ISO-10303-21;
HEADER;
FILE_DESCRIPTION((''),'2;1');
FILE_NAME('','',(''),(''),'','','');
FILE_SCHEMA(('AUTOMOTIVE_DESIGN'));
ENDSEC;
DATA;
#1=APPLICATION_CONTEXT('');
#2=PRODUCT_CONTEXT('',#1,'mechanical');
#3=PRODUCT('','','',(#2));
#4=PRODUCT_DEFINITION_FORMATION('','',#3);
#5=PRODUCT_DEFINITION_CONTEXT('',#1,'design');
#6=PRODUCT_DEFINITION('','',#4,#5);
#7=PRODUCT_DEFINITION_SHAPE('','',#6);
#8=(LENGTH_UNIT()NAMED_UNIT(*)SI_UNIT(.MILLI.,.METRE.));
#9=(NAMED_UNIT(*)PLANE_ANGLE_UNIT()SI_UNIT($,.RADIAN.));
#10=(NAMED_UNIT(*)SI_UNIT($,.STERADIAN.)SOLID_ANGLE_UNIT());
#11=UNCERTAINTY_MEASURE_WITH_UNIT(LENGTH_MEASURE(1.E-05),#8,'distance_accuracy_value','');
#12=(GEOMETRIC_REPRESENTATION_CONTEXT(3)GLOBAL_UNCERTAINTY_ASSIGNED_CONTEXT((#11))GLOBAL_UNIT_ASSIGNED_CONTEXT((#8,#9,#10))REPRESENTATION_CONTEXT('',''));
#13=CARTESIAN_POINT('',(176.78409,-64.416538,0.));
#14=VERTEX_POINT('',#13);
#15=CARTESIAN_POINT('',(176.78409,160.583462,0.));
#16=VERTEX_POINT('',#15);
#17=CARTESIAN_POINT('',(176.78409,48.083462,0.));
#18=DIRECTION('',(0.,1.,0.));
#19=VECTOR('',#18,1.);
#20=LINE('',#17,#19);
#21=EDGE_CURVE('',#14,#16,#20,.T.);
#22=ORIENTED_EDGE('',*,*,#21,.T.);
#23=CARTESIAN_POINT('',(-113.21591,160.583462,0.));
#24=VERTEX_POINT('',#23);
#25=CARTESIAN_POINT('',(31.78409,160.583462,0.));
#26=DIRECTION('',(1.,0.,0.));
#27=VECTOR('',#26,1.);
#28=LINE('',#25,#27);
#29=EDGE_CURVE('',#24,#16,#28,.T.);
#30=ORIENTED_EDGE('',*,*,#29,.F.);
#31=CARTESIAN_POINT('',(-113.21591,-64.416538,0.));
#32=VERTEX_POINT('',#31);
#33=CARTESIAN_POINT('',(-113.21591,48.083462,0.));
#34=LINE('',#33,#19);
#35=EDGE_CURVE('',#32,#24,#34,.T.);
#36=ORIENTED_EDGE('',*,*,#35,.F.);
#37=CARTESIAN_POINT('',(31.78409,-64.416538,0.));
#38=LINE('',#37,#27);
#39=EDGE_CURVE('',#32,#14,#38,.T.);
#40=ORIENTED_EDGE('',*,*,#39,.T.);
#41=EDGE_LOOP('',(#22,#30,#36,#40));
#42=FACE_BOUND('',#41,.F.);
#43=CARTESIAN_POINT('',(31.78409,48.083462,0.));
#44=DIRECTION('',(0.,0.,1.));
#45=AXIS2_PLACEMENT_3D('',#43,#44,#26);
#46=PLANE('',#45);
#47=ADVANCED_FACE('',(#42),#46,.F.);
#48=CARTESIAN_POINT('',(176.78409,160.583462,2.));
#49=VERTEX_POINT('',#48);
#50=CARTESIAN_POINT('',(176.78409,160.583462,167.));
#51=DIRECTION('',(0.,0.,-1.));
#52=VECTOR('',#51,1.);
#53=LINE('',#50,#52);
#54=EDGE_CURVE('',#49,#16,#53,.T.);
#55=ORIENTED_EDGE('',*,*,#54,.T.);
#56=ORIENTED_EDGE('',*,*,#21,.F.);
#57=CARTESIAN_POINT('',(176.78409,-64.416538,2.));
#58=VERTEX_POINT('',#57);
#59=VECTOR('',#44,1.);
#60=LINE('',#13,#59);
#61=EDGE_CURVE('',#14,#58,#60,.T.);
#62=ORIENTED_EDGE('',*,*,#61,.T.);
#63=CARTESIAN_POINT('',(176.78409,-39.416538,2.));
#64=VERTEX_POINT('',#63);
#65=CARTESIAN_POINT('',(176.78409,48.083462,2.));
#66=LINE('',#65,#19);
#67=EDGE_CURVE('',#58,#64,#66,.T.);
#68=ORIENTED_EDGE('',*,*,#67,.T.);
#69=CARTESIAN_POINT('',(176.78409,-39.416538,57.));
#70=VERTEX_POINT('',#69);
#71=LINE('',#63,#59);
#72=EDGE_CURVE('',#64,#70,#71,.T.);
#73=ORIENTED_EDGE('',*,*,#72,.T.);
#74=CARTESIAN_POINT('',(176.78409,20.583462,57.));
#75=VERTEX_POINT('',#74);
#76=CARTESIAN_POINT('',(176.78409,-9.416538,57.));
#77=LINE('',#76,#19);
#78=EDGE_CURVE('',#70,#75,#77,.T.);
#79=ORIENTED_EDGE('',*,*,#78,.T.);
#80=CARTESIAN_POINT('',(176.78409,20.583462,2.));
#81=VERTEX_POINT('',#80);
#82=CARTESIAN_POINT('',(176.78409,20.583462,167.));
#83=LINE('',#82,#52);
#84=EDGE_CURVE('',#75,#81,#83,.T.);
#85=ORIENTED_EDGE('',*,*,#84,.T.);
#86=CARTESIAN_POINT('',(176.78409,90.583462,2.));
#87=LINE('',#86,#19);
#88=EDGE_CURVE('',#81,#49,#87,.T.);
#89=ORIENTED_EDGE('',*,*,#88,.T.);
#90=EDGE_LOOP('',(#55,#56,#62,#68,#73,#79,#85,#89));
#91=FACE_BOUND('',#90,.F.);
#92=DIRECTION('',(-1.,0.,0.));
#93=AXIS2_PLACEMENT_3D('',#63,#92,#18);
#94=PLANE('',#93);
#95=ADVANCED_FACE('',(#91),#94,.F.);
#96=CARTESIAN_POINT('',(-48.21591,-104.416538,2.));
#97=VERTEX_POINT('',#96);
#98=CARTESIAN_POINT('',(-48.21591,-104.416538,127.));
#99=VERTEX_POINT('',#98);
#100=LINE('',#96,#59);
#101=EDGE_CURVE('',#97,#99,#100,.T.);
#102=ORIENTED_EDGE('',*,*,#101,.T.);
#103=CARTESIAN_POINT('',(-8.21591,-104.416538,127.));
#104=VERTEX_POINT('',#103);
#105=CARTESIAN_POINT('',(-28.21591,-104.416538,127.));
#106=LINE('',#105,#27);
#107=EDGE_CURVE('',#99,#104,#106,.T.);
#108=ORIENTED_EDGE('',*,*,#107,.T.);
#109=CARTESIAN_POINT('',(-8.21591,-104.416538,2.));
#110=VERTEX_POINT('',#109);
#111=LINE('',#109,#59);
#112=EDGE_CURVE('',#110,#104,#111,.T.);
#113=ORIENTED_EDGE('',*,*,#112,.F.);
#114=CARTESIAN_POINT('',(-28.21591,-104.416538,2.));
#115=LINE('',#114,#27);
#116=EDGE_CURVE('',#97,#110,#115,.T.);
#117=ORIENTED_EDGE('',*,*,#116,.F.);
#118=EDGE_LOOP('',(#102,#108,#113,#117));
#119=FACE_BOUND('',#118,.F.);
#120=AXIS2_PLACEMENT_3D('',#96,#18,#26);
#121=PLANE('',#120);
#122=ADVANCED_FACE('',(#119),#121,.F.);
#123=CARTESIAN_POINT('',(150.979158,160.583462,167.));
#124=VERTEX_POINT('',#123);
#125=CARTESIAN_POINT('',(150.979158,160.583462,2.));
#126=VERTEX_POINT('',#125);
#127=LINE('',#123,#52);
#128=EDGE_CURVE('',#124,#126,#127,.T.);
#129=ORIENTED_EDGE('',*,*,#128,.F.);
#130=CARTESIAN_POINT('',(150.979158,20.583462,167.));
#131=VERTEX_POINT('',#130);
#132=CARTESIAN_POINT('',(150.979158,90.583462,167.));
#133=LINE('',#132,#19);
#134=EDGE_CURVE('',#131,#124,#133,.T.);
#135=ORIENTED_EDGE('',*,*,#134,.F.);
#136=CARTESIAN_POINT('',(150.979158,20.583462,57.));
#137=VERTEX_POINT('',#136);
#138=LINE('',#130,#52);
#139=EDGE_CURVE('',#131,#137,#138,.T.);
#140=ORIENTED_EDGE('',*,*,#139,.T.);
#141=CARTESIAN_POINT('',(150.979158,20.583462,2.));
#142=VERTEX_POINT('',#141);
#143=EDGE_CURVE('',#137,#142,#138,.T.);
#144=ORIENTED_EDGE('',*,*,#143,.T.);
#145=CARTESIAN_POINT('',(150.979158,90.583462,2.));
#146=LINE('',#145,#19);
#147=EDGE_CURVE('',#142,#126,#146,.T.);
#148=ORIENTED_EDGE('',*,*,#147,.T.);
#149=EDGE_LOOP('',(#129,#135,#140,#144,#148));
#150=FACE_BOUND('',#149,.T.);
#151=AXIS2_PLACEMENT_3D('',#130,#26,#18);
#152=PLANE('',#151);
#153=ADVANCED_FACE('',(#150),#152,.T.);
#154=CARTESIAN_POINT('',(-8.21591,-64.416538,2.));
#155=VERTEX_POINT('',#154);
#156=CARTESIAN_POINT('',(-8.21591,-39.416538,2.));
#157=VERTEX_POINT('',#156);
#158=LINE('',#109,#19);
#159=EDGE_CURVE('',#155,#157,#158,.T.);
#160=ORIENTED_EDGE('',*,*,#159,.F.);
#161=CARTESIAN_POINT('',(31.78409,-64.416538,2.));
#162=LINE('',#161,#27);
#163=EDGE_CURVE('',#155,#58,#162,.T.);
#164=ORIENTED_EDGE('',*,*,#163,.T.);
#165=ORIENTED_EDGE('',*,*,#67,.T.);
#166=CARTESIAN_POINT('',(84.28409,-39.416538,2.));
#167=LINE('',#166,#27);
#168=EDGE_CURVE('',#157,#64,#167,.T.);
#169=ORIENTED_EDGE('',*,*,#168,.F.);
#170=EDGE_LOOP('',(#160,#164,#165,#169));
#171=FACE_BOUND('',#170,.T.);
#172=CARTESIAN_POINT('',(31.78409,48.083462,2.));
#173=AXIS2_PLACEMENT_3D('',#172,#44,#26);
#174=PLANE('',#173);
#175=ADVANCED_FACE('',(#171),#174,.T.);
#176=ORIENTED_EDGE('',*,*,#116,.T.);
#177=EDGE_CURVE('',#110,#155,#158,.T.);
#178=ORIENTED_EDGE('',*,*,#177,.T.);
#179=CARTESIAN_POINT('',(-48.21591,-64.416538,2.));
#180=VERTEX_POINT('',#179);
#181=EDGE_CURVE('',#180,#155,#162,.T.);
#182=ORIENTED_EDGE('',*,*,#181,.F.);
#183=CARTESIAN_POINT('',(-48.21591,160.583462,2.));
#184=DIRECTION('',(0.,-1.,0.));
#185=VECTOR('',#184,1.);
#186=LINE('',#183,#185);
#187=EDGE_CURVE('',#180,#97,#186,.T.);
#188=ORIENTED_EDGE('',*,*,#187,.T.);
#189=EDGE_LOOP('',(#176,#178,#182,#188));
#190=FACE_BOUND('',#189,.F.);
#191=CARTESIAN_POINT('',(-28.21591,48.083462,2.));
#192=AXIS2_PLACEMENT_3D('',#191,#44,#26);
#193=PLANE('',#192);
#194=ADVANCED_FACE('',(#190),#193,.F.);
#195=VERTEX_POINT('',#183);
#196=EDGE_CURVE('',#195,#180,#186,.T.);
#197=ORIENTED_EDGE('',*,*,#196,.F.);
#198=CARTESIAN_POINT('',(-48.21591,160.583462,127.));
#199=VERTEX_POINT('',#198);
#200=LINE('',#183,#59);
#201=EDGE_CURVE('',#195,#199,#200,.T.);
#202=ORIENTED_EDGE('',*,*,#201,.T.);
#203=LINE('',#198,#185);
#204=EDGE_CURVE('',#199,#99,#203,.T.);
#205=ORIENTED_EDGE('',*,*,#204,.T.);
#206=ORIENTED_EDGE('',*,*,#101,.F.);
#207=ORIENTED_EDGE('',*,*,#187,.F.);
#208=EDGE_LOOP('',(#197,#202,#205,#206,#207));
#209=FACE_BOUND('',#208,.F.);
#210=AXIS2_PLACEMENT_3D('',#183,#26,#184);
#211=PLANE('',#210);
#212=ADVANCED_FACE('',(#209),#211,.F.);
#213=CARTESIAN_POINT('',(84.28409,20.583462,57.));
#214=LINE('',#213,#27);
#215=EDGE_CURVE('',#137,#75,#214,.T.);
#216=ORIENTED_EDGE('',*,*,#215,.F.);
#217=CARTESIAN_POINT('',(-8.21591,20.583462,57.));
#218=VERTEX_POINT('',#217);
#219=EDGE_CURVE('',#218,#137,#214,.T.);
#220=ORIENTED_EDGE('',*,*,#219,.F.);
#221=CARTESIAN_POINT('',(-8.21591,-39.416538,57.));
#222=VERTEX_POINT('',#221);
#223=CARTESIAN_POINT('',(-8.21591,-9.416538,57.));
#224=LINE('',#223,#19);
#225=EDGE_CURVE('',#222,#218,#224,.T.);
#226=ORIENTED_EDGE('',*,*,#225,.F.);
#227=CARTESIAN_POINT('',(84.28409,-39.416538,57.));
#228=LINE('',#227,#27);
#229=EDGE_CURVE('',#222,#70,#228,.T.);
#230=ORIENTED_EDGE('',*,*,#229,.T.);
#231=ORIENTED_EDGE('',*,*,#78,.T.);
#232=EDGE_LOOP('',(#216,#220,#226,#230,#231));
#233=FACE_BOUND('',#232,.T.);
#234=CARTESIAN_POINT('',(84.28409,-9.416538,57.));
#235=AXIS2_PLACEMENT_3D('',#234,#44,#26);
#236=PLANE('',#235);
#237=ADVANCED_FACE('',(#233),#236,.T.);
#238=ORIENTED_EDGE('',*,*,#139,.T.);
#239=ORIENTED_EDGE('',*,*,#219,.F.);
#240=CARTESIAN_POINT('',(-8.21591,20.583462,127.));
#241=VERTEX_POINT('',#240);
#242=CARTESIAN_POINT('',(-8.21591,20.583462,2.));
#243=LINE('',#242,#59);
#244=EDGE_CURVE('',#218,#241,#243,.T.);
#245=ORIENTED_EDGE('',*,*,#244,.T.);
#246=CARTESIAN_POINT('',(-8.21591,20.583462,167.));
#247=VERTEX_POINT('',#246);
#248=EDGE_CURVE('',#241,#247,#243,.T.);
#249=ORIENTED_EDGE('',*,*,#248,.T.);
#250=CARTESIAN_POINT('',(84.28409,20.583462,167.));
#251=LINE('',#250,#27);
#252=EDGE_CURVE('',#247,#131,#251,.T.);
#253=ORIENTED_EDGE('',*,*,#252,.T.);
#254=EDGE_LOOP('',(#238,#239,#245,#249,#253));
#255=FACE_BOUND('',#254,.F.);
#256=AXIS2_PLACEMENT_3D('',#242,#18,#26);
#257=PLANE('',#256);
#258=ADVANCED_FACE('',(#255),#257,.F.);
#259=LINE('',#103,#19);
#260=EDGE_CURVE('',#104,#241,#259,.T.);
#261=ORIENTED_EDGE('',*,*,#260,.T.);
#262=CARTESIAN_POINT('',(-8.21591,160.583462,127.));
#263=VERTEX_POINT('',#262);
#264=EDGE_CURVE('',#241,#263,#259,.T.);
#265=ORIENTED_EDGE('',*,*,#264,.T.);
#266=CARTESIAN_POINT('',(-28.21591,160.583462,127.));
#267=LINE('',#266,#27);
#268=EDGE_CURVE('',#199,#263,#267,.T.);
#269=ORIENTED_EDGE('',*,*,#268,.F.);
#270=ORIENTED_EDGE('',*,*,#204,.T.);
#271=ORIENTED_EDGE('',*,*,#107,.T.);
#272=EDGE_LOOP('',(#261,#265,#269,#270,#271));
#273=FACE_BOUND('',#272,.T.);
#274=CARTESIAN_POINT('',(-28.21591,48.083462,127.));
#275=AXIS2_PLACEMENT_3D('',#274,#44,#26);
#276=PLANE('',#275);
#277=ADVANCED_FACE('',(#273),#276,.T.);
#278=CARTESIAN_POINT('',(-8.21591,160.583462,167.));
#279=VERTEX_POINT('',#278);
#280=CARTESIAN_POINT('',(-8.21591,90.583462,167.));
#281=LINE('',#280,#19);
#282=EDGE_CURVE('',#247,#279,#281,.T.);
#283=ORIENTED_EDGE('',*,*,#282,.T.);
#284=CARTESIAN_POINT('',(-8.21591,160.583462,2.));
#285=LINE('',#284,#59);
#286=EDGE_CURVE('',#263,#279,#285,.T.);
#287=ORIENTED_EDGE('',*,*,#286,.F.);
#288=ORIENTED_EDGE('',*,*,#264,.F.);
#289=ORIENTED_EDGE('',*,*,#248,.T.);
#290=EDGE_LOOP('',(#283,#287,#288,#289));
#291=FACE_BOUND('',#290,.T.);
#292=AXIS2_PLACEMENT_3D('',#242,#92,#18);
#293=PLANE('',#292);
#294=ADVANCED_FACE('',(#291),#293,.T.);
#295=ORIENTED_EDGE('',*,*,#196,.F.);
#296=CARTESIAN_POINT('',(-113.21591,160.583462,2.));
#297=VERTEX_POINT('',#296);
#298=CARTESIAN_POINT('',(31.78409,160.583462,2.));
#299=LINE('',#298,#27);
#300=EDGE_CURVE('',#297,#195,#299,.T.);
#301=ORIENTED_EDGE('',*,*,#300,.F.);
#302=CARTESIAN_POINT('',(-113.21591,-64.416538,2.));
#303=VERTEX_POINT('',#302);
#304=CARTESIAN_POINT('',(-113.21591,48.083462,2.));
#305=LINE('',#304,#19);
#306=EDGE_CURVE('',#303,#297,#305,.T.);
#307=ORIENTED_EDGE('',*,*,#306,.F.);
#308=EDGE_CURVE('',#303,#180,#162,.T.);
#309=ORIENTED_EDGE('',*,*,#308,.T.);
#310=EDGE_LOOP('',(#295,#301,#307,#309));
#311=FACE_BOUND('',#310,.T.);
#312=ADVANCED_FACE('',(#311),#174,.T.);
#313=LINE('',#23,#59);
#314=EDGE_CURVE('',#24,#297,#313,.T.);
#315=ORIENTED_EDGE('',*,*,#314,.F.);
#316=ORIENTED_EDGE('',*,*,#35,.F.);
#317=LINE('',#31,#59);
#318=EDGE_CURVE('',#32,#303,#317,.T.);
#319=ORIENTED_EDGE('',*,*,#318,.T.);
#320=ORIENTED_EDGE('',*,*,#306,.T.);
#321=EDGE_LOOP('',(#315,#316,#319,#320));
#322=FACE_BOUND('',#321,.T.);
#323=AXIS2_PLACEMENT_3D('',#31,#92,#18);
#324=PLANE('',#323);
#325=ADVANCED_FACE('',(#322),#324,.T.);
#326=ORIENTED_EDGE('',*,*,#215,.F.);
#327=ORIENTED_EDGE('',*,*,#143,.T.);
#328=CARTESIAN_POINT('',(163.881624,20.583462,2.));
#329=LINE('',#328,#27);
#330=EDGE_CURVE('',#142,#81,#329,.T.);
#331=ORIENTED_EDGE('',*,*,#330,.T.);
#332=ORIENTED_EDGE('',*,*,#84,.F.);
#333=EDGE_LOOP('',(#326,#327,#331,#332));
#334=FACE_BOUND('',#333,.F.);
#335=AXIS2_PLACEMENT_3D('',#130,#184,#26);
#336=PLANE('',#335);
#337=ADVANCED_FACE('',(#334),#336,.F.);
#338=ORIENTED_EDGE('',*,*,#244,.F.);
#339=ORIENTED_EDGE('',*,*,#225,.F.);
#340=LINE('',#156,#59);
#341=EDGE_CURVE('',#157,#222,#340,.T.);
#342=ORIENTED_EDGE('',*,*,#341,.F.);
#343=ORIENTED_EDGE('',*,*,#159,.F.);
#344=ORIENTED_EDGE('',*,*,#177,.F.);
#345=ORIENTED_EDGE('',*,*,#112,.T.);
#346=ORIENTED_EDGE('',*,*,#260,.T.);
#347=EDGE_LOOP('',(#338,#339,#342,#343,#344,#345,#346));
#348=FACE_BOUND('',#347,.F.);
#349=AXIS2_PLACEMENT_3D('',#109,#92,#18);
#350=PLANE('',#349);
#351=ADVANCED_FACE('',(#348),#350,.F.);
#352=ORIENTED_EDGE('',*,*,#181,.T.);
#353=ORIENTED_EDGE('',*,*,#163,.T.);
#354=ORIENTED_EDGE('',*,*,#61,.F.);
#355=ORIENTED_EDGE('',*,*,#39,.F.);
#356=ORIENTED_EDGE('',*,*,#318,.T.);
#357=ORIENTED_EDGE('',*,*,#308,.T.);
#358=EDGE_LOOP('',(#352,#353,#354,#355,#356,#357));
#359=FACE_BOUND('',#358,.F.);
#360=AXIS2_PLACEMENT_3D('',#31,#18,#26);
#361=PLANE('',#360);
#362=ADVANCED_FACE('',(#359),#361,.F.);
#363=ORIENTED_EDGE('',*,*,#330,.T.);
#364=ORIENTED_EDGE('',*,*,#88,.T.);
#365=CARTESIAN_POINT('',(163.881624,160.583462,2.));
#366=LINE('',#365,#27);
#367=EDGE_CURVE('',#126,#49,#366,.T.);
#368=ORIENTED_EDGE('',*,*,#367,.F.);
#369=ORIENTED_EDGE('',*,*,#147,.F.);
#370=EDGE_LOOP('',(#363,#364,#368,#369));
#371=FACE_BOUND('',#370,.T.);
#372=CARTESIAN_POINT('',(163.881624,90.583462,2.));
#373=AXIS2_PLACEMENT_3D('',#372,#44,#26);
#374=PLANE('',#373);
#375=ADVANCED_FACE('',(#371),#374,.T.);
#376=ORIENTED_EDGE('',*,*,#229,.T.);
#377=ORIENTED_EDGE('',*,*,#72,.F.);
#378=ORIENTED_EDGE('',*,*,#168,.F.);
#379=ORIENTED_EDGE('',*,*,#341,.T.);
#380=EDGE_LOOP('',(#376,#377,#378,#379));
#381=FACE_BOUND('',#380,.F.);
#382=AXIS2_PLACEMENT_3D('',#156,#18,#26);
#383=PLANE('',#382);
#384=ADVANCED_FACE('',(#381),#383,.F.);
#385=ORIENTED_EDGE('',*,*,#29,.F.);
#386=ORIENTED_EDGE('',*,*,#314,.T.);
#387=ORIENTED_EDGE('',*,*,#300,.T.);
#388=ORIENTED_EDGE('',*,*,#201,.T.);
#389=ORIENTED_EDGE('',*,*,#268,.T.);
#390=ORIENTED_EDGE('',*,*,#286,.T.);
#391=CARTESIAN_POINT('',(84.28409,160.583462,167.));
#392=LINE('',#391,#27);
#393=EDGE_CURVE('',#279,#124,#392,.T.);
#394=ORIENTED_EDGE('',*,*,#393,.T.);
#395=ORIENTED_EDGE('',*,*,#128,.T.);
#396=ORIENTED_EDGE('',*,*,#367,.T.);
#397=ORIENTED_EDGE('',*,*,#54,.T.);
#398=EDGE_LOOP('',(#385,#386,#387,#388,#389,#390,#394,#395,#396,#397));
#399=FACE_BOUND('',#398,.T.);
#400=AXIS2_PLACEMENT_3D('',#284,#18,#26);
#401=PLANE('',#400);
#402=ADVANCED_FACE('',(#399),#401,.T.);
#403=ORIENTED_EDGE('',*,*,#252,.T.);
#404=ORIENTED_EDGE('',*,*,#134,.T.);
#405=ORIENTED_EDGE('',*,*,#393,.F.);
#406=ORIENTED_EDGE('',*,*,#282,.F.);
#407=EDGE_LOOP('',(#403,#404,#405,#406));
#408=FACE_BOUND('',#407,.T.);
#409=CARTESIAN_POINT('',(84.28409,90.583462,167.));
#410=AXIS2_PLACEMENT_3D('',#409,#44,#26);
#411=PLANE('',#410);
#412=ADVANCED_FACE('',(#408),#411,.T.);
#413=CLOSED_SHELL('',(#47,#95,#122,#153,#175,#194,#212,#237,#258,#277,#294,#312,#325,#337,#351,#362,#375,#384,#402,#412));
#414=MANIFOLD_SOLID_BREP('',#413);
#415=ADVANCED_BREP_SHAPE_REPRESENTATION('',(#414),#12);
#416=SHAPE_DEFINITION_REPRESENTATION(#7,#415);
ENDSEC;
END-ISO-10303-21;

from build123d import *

# Parameters (mm, degrees)
F0_W     = 290
F0_H     = 225
F1_DEPTH = 2
F2_W     = 40
F2_H     = 225
F2_H_2   = 40
F3_DEPTH = 125
F4_W     = 185
F4_H     = 140
F5_DEPTH = 165
F6_W     = 185
F6_H     = 60
F7_DEPTH = 55
F8_W     = 25.804932
F8_H     = 140
F9_DEPTH = 165


with BuildPart() as f1:
    # F0 (on Top) → F1 (new body)
    with BuildSketch(Plane.XY):
        with Locations((31.78409, 48.083462)):
            Rectangle(F0_W, F0_H)
    extrude(amount=F1_DEPTH)

    # F2 (on face) → F3 (join)
    with BuildSketch(Plane.XY.offset(2)):
        with Locations((-28.21591, 48.083462)):
            Rectangle(F2_W, F2_H)
        with Locations((-28.21591, -84.416538)):
            Rectangle(F2_W, F2_H_2)
    extrude(amount=F3_DEPTH)

    # F4 (on face) → F5 (join)
    with BuildSketch(Plane.XY.offset(2)):
        with Locations((84.28409, 90.583462)):
            Rectangle(F4_W, F4_H)
    extrude(amount=F5_DEPTH)

    # F6 (on face) → F7 (join)
    with BuildSketch(Plane.XY.offset(2)):
        with Locations((84.28409, -9.416538)):
            Rectangle(F6_W, F6_H)
    extrude(amount=F7_DEPTH)

    # F8 (on face) → F9 (cut)
    with BuildSketch(Plane.XY.offset(167)):
        with Locations((163.881624, 90.583462)):
            Rectangle(F8_W, F8_H)
    extrude(amount=-F9_DEPTH, mode=Mode.SUBTRACT)


solid = f1.part
